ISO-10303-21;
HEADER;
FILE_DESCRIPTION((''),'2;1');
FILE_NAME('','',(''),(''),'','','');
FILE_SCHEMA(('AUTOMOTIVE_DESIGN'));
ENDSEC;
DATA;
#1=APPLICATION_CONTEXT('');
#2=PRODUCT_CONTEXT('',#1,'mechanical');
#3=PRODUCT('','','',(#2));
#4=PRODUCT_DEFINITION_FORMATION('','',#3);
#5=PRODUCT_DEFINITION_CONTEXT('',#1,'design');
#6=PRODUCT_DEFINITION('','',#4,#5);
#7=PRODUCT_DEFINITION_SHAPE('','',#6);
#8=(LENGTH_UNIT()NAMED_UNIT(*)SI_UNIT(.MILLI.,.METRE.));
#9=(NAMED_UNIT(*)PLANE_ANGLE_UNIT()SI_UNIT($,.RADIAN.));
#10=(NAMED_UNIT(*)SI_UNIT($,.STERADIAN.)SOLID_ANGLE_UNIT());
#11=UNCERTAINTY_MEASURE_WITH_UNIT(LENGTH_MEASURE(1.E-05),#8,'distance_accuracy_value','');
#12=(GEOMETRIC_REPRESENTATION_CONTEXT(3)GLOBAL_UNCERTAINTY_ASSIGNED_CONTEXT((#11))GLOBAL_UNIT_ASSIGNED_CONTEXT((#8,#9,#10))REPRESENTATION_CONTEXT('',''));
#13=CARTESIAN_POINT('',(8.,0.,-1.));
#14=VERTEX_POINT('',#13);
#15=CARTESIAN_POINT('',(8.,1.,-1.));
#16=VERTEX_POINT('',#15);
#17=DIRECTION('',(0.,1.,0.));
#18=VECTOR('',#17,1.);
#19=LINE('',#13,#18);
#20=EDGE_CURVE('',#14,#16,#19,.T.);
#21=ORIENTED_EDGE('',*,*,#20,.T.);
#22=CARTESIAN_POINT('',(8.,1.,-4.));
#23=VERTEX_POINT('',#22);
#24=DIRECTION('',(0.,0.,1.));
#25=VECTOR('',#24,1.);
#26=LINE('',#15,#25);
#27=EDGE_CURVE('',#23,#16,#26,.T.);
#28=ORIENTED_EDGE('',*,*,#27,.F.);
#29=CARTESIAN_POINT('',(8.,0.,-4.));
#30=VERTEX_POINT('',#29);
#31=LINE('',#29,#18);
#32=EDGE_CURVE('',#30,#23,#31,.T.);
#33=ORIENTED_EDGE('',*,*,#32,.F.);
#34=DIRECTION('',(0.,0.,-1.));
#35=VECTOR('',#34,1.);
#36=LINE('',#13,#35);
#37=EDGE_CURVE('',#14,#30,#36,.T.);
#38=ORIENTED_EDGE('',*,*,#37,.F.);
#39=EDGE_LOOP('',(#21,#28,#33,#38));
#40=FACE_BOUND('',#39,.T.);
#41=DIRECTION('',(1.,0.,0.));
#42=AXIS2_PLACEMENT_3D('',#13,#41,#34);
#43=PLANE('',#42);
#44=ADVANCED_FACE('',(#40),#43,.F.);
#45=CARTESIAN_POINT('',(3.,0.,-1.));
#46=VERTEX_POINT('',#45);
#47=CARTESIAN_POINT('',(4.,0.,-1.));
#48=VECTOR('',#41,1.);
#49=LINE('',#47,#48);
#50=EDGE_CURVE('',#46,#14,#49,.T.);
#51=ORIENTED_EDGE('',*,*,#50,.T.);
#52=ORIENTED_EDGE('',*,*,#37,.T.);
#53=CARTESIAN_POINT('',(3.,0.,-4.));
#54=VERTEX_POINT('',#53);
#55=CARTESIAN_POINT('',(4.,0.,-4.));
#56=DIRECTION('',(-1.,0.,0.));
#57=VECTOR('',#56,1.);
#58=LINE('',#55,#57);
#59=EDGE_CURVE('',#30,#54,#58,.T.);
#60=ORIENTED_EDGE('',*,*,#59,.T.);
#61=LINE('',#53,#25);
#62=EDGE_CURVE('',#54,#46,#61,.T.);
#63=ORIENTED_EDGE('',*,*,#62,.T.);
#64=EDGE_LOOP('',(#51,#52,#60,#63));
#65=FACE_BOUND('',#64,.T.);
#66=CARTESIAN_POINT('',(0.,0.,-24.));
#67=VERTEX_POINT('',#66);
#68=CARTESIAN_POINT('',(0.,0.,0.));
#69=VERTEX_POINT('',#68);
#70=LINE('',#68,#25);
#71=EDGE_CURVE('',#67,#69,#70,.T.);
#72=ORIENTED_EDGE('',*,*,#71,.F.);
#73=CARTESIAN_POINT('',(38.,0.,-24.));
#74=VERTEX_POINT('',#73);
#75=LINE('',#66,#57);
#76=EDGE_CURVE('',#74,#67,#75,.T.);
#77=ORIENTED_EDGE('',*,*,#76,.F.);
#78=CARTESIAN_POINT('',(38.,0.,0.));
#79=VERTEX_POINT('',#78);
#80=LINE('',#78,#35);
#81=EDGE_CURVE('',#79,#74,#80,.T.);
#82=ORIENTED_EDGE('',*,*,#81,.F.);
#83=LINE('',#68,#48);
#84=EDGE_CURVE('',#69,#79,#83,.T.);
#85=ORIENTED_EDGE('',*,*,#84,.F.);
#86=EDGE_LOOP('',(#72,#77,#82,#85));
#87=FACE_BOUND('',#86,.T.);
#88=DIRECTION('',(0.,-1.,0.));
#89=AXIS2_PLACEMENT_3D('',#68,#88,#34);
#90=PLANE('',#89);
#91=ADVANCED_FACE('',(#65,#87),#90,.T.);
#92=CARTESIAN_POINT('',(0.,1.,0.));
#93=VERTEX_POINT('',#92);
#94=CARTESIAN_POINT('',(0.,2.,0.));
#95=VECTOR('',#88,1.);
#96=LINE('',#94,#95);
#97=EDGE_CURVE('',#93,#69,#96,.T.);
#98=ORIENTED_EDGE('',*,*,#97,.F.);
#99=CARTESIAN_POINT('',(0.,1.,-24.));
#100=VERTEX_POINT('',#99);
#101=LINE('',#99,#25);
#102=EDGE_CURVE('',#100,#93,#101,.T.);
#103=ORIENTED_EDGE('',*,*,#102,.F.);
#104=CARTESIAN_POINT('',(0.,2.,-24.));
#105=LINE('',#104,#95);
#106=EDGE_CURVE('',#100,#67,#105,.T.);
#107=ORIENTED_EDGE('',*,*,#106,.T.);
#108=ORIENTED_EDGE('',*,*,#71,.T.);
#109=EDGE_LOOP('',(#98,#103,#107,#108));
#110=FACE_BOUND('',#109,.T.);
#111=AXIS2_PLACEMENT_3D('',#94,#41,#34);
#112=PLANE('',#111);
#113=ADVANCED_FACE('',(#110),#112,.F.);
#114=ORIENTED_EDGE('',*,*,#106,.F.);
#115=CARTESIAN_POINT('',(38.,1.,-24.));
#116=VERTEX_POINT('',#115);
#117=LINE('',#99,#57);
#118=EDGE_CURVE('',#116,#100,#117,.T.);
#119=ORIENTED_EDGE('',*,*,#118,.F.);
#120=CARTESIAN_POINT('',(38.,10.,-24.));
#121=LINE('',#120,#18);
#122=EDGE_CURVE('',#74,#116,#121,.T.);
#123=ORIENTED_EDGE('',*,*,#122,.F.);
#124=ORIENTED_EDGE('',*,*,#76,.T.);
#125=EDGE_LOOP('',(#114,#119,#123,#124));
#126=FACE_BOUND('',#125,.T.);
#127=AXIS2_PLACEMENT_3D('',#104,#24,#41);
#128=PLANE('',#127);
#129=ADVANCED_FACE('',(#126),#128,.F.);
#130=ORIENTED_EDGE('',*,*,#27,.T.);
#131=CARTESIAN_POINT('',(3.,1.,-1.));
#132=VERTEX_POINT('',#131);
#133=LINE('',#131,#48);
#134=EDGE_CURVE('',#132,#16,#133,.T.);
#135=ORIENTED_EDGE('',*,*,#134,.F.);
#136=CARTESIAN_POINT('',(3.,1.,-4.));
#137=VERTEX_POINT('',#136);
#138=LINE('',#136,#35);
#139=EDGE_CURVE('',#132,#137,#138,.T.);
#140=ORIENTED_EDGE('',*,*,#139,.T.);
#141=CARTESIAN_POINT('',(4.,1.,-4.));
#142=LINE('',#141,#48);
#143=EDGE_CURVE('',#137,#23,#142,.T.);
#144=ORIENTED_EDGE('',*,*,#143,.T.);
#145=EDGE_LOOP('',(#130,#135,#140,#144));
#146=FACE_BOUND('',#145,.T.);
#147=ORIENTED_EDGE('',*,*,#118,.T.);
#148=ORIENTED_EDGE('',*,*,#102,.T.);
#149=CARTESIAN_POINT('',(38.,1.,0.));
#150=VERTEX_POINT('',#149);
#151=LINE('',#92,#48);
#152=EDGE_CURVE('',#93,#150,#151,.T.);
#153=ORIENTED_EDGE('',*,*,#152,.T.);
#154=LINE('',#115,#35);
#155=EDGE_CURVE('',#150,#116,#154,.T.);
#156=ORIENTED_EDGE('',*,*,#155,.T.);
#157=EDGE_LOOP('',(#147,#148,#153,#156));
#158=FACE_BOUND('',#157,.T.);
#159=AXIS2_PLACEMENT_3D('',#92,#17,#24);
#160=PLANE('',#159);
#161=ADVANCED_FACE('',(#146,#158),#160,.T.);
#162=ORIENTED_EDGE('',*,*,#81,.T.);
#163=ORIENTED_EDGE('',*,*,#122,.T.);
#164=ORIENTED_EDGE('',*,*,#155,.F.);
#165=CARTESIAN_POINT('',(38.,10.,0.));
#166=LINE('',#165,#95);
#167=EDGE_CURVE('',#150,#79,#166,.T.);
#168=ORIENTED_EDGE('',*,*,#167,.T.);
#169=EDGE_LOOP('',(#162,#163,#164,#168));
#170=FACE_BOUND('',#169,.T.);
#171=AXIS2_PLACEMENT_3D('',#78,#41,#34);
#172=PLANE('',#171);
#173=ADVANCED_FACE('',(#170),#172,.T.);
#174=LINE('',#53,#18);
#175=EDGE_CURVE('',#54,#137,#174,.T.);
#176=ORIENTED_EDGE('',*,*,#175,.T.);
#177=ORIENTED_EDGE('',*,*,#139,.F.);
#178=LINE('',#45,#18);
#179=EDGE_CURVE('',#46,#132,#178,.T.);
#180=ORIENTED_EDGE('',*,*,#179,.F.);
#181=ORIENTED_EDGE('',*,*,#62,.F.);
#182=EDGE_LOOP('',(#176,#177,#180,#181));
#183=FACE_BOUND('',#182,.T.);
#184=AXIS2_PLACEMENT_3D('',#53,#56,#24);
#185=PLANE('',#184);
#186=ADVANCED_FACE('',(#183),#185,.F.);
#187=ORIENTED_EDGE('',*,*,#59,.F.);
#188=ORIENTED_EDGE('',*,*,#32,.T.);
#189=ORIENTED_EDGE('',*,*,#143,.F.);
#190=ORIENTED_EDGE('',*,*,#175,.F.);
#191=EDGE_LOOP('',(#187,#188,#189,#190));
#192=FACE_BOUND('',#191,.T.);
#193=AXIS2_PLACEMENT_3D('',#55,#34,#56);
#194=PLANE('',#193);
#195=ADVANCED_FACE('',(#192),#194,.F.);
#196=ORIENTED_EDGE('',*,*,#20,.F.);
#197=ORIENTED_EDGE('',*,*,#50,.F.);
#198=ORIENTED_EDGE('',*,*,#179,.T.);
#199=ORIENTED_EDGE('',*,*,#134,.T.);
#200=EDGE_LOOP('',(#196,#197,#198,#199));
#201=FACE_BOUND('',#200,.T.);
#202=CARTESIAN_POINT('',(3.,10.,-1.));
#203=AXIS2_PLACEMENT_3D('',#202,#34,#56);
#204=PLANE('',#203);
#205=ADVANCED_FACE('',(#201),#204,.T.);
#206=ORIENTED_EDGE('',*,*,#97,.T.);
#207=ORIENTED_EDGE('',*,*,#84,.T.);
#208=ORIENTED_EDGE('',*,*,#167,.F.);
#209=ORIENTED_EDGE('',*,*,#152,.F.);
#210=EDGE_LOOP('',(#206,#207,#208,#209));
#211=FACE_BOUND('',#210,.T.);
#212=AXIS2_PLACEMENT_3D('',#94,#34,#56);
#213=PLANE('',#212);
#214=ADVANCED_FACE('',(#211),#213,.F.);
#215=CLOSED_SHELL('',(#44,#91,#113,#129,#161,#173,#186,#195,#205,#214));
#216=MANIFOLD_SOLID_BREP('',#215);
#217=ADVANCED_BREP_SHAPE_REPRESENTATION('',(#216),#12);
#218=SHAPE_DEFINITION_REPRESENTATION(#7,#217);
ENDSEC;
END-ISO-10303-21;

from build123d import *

# Parameters (mm, degrees)
SKETCH1_W           = 40
SKETCH1_H           = 24
BOSS_EXTRUDE1_DEPTH = 2
SKETCH2_W           = 40
SKETCH2_H           = 24
SKETCH2_W_2         = 36
SKETCH2_H_2         = 22
BOSS_EXTRUDE3_DEPTH = 8
SKETCH5_W           = 4
SKETCH5_H           = 3
CUT_EXTRUDE1_DEPTH  = 2
SKETCH6_W           = 24
SKETCH6_H           = 10
CUT_EXTRUDE2_DEPTH  = 2
SKETCH7_W           = 22
SKETCH7_H           = 8
CUT_EXTRUDE3_DEPTH  = 2
SKETCH8_W           = 1
SKETCH8_H           = 3
CUT_EXTRUDE4_DEPTH  = 2
SKETCH9_W           = 38
SKETCH9_H           = 24
CUT_EXTRUDE5_DEPTH  = 9


with BuildPart() as part:
    # Sketch1 → Boss-Extrude1 (new body)
    with BuildSketch(Plane(origin=(0, 0, 0), x_dir=(1, 0, 0), z_dir=(0, 1, 0))):
        with Locations((20, 12)):
            Rectangle(SKETCH1_W, SKETCH1_H)
    extrude(amount=BOSS_EXTRUDE1_DEPTH)

    # Sketch2 → Boss-Extrude3 (add)
    with BuildSketch(Plane(origin=(0, 2, 0), x_dir=(1, 0, 0), z_dir=(0, 1, 0))):
        with Locations((20, 12)):
            Rectangle(SKETCH2_W, SKETCH2_H)
        with Locations((21, 12)):
            Rectangle(SKETCH2_W_2, SKETCH2_H_2, mode=Mode.SUBTRACT)
    extrude(amount=BOSS_EXTRUDE3_DEPTH)

    # Sketch5 → Cut-Extrude1 (cut)
    with BuildSketch(Plane(origin=(0, 2, 0), x_dir=(1, 0, 0), z_dir=(0, 1, 0))):
        with Locations((6, 2.5)):
            Rectangle(SKETCH5_W, SKETCH5_H)
    extrude(amount=-CUT_EXTRUDE1_DEPTH, mode=Mode.SUBTRACT)

    # Sketch6 → Cut-Extrude2 (cut)
    with BuildSketch(Plane(origin=(40, 0, 0), x_dir=(0, 0, -1), z_dir=(1, 0, 0))):
        with Locations((12, 5)):
            Rectangle(SKETCH6_W, SKETCH6_H)
    extrude(amount=-CUT_EXTRUDE2_DEPTH, mode=Mode.SUBTRACT)

    # Sketch7 → Cut-Extrude3 (cut)
    with BuildSketch(Plane(origin=(3, 0, 0), x_dir=(0, 0, -1), z_dir=(1, 0, 0))):
        with Locations((12, 6)):
            Rectangle(SKETCH7_W, SKETCH7_H)
    extrude(amount=-CUT_EXTRUDE3_DEPTH, mode=Mode.SUBTRACT)

    # Sketch8 → Cut-Extrude4 (cut)
    with BuildSketch(Plane(origin=(0, 2, 0), x_dir=(1, 0, 0), z_dir=(0, 1, 0))):
        with Locations((3.5, 2.5)):
            Rectangle(SKETCH8_W, SKETCH8_H)
    extrude(amount=-CUT_EXTRUDE4_DEPTH, mode=Mode.SUBTRACT)

    # Sketch9 → Cut-Extrude5 (cut)
    with BuildSketch(Plane(origin=(0, 10, 0), x_dir=(1, 0, 0), z_dir=(0, 1, 0))):
        with Locations((19, 12)):
            Rectangle(SKETCH9_W, SKETCH9_H)
    extrude(amount=-CUT_EXTRUDE5_DEPTH, mode=Mode.SUBTRACT)


solid = part.part
